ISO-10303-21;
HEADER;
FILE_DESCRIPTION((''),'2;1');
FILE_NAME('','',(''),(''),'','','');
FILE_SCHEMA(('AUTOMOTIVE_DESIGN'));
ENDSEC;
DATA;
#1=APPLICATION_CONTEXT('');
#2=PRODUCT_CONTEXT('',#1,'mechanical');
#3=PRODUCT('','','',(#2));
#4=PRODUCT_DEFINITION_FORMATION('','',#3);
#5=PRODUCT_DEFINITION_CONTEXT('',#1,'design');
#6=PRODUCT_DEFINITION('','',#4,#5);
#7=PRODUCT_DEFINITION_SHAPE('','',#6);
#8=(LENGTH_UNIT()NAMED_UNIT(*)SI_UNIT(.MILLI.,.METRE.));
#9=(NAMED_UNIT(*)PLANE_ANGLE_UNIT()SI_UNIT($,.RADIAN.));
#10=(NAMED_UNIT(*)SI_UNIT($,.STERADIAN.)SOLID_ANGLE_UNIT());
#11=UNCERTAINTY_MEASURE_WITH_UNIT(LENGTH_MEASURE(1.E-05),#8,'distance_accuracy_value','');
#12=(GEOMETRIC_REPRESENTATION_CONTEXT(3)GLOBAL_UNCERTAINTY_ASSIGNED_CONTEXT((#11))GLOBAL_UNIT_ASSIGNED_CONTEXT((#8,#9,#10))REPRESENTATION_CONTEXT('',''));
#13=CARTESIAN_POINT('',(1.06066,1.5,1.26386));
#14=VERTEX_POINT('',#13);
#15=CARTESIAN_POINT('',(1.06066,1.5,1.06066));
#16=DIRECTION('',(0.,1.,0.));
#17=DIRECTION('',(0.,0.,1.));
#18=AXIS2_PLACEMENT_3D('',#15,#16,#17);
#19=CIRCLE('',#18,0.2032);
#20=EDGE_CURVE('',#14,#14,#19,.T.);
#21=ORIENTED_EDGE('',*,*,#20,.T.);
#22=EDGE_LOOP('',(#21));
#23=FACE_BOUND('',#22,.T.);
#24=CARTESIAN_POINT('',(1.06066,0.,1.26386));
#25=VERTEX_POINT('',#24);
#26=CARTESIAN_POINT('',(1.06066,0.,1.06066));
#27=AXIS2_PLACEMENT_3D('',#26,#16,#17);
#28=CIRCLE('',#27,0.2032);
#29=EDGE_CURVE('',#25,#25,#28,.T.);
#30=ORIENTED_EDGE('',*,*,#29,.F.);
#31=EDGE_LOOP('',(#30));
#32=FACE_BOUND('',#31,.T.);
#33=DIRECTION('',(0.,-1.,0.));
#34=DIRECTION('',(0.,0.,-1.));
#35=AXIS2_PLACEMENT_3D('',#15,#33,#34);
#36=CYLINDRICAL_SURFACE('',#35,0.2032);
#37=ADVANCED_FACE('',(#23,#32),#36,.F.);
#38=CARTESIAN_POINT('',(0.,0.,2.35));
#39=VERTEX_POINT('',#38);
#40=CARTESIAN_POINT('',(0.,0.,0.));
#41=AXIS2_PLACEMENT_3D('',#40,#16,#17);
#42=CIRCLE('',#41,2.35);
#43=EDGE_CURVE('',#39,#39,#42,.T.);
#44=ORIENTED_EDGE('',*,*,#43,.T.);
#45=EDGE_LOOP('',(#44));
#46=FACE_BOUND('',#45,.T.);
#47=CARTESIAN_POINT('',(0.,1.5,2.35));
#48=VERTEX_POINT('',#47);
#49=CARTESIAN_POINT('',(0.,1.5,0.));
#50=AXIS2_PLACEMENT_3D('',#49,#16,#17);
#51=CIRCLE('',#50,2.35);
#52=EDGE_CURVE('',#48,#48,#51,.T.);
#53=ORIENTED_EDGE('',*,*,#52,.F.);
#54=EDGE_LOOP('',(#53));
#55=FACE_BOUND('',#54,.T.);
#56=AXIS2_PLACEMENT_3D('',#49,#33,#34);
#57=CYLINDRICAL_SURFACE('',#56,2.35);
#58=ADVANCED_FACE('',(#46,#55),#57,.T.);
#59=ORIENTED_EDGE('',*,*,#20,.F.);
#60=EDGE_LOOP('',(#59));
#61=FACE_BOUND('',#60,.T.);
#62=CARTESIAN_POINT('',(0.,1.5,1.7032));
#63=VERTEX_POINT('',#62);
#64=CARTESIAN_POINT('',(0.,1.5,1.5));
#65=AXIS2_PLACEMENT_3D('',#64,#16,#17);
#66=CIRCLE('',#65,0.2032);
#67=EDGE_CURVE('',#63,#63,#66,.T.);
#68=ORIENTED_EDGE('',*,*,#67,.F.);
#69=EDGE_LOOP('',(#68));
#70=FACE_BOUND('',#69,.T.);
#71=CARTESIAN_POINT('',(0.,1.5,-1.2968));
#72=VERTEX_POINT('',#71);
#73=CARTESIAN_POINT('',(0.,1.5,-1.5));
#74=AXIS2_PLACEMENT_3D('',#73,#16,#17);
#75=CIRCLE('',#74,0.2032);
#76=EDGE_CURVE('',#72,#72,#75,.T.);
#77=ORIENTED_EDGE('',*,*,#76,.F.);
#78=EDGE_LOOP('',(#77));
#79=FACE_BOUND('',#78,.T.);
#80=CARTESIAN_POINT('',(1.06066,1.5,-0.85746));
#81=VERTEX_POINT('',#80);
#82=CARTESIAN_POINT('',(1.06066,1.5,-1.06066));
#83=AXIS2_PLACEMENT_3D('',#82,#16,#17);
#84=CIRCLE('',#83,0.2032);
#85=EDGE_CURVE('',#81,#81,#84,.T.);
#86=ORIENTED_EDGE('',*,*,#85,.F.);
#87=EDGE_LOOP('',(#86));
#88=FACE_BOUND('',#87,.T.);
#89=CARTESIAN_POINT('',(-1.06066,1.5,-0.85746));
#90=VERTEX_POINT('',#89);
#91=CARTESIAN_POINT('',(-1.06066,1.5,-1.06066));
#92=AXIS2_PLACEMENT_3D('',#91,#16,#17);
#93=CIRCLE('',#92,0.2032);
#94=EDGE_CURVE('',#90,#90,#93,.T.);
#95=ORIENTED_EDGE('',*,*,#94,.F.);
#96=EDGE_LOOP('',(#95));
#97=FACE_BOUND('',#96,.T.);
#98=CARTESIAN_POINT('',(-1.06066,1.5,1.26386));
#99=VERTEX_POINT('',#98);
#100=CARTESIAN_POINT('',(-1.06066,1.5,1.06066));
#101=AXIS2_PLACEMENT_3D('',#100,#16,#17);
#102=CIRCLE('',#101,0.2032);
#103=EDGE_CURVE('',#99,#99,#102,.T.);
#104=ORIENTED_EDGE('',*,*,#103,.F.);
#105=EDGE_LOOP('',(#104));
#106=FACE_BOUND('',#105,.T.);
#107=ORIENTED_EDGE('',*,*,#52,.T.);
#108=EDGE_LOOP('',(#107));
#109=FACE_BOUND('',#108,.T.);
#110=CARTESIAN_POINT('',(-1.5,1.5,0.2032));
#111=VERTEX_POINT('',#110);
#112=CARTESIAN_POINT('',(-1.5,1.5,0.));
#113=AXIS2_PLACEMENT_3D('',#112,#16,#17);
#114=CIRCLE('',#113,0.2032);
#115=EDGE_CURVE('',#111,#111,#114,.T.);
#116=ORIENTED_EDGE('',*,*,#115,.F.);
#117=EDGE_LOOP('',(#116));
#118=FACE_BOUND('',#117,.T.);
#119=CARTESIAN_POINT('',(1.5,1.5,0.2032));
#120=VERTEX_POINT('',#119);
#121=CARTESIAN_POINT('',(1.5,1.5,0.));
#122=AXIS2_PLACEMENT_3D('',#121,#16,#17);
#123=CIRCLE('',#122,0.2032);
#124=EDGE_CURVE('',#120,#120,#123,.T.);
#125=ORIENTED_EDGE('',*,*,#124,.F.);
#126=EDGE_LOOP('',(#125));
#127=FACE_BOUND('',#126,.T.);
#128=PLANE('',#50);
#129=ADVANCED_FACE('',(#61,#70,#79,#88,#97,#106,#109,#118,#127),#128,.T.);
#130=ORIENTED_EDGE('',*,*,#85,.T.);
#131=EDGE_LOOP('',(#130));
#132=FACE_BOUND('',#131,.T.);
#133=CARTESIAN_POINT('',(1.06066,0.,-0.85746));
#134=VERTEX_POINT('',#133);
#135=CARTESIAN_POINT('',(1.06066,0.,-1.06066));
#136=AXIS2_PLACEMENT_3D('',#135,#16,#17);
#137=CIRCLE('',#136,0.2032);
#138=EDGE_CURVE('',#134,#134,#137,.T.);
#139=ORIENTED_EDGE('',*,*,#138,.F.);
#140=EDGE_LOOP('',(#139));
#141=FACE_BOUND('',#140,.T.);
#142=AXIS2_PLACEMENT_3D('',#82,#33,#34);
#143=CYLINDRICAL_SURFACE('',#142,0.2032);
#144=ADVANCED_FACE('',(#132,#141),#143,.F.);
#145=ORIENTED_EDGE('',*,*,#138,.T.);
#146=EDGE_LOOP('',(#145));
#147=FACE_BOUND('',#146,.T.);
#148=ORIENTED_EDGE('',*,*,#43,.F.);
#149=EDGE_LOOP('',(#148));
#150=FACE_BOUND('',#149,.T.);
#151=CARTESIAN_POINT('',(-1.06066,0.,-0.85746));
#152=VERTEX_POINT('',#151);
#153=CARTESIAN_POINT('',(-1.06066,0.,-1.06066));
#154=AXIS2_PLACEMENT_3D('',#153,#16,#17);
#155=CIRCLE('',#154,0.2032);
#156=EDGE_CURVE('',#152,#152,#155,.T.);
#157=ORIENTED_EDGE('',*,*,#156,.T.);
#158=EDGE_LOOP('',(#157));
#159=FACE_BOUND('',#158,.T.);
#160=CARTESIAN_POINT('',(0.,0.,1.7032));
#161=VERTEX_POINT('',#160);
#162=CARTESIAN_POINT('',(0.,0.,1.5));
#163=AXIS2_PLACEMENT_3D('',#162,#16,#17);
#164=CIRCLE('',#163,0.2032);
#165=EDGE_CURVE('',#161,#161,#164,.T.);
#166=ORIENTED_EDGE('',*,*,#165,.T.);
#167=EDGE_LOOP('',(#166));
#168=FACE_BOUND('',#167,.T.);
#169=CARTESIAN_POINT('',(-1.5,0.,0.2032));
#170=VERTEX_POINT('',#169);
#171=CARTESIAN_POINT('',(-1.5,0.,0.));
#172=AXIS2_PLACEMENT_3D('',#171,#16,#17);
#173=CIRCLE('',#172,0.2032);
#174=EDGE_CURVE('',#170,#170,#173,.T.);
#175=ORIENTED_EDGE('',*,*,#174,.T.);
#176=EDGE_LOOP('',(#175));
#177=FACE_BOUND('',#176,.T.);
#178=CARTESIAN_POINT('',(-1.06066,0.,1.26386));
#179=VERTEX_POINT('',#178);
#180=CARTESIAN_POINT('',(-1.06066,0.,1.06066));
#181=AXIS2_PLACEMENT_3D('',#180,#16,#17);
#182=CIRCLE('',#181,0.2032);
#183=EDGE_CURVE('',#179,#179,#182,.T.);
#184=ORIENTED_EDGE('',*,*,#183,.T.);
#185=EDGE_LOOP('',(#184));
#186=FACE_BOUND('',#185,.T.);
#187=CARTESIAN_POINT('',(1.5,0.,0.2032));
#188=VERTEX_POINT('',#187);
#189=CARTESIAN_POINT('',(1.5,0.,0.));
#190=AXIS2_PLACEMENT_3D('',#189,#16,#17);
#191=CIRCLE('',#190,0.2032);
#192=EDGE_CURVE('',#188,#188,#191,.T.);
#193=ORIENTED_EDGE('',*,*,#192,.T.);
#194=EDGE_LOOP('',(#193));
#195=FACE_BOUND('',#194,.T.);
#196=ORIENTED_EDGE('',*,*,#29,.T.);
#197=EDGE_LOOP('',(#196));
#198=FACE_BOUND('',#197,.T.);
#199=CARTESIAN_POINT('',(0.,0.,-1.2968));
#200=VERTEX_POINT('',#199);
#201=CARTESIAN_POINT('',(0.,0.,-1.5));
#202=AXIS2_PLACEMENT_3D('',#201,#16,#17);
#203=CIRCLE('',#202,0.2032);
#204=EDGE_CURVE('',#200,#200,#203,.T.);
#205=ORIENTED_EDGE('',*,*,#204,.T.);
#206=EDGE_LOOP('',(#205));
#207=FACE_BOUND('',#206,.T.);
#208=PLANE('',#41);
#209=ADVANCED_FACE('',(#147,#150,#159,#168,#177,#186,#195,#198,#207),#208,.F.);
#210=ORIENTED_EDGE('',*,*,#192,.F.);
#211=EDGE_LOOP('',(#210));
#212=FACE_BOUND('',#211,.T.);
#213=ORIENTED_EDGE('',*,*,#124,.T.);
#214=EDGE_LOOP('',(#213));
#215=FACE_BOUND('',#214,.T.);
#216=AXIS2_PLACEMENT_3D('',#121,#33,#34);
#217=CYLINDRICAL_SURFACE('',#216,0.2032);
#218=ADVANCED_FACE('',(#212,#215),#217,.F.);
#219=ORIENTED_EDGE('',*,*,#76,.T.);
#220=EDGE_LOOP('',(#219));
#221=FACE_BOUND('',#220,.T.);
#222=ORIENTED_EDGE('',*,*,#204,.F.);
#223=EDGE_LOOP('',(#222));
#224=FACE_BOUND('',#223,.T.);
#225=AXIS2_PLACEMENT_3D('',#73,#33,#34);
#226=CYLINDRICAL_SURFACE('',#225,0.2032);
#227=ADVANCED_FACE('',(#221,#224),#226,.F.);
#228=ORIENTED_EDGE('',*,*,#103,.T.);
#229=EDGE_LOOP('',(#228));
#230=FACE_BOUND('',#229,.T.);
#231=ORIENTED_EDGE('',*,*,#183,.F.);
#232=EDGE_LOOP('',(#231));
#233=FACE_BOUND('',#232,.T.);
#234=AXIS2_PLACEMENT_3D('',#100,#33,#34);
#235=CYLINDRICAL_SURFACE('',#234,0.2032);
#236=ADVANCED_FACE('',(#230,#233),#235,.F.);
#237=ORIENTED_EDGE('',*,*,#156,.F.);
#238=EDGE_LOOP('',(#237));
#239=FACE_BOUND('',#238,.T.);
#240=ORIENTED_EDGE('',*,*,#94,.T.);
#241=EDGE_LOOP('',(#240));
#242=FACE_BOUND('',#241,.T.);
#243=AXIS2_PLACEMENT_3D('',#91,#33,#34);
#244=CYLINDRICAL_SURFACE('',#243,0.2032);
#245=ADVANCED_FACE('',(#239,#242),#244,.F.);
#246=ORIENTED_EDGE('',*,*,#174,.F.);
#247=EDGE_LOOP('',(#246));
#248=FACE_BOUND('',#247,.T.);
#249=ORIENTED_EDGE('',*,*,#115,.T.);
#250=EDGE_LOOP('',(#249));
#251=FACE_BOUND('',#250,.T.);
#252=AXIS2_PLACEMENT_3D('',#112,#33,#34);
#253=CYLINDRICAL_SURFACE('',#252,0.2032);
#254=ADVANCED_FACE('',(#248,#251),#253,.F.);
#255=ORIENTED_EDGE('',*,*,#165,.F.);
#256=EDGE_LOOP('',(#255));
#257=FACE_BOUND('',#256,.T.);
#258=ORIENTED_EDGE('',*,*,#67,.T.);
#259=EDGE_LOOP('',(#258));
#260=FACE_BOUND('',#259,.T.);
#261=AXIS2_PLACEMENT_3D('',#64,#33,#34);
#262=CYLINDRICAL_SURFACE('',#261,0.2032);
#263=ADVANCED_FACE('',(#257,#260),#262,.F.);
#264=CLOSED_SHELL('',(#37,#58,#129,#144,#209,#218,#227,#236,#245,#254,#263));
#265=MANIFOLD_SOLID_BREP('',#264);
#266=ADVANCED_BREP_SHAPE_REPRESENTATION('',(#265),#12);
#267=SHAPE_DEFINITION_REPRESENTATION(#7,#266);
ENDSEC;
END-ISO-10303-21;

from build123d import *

# Parameters (mm, degrees)
SKETCH1_R           = 2.35
SKETCH1_R_2         = 0.2032
BOSS_EXTRUDE1_DEPTH = 1.5


with BuildPart() as part:
    # Sketch1 → Boss-Extrude1 (new body)
    with BuildSketch(Plane(origin=(0, 0, 0), x_dir=(1, 0, 0), z_dir=(0, 1, 0))):
        Circle(SKETCH1_R)
        with Locations((0, 1.5)):
            Circle(SKETCH1_R_2, mode=Mode.SUBTRACT)
        with Locations((1.060660172, 1.060660172)):
            Circle(SKETCH1_R_2, mode=Mode.SUBTRACT)
        with Locations((1.5, 0)):
            Circle(SKETCH1_R_2, mode=Mode.SUBTRACT)
        with Locations((1.060660172, -1.060660172)):
            Circle(SKETCH1_R_2, mode=Mode.SUBTRACT)
        with Locations((0, -1.5)):
            Circle(SKETCH1_R_2, mode=Mode.SUBTRACT)
        with Locations((-1.060660172, -1.060660172)):
            Circle(SKETCH1_R_2, mode=Mode.SUBTRACT)
        with Locations((-1.5, 0)):
            Circle(SKETCH1_R_2, mode=Mode.SUBTRACT)
        with Locations((-1.060660172, 1.060660172)):
            Circle(SKETCH1_R_2, mode=Mode.SUBTRACT)
    extrude(amount=BOSS_EXTRUDE1_DEPTH)


solid = part.part
